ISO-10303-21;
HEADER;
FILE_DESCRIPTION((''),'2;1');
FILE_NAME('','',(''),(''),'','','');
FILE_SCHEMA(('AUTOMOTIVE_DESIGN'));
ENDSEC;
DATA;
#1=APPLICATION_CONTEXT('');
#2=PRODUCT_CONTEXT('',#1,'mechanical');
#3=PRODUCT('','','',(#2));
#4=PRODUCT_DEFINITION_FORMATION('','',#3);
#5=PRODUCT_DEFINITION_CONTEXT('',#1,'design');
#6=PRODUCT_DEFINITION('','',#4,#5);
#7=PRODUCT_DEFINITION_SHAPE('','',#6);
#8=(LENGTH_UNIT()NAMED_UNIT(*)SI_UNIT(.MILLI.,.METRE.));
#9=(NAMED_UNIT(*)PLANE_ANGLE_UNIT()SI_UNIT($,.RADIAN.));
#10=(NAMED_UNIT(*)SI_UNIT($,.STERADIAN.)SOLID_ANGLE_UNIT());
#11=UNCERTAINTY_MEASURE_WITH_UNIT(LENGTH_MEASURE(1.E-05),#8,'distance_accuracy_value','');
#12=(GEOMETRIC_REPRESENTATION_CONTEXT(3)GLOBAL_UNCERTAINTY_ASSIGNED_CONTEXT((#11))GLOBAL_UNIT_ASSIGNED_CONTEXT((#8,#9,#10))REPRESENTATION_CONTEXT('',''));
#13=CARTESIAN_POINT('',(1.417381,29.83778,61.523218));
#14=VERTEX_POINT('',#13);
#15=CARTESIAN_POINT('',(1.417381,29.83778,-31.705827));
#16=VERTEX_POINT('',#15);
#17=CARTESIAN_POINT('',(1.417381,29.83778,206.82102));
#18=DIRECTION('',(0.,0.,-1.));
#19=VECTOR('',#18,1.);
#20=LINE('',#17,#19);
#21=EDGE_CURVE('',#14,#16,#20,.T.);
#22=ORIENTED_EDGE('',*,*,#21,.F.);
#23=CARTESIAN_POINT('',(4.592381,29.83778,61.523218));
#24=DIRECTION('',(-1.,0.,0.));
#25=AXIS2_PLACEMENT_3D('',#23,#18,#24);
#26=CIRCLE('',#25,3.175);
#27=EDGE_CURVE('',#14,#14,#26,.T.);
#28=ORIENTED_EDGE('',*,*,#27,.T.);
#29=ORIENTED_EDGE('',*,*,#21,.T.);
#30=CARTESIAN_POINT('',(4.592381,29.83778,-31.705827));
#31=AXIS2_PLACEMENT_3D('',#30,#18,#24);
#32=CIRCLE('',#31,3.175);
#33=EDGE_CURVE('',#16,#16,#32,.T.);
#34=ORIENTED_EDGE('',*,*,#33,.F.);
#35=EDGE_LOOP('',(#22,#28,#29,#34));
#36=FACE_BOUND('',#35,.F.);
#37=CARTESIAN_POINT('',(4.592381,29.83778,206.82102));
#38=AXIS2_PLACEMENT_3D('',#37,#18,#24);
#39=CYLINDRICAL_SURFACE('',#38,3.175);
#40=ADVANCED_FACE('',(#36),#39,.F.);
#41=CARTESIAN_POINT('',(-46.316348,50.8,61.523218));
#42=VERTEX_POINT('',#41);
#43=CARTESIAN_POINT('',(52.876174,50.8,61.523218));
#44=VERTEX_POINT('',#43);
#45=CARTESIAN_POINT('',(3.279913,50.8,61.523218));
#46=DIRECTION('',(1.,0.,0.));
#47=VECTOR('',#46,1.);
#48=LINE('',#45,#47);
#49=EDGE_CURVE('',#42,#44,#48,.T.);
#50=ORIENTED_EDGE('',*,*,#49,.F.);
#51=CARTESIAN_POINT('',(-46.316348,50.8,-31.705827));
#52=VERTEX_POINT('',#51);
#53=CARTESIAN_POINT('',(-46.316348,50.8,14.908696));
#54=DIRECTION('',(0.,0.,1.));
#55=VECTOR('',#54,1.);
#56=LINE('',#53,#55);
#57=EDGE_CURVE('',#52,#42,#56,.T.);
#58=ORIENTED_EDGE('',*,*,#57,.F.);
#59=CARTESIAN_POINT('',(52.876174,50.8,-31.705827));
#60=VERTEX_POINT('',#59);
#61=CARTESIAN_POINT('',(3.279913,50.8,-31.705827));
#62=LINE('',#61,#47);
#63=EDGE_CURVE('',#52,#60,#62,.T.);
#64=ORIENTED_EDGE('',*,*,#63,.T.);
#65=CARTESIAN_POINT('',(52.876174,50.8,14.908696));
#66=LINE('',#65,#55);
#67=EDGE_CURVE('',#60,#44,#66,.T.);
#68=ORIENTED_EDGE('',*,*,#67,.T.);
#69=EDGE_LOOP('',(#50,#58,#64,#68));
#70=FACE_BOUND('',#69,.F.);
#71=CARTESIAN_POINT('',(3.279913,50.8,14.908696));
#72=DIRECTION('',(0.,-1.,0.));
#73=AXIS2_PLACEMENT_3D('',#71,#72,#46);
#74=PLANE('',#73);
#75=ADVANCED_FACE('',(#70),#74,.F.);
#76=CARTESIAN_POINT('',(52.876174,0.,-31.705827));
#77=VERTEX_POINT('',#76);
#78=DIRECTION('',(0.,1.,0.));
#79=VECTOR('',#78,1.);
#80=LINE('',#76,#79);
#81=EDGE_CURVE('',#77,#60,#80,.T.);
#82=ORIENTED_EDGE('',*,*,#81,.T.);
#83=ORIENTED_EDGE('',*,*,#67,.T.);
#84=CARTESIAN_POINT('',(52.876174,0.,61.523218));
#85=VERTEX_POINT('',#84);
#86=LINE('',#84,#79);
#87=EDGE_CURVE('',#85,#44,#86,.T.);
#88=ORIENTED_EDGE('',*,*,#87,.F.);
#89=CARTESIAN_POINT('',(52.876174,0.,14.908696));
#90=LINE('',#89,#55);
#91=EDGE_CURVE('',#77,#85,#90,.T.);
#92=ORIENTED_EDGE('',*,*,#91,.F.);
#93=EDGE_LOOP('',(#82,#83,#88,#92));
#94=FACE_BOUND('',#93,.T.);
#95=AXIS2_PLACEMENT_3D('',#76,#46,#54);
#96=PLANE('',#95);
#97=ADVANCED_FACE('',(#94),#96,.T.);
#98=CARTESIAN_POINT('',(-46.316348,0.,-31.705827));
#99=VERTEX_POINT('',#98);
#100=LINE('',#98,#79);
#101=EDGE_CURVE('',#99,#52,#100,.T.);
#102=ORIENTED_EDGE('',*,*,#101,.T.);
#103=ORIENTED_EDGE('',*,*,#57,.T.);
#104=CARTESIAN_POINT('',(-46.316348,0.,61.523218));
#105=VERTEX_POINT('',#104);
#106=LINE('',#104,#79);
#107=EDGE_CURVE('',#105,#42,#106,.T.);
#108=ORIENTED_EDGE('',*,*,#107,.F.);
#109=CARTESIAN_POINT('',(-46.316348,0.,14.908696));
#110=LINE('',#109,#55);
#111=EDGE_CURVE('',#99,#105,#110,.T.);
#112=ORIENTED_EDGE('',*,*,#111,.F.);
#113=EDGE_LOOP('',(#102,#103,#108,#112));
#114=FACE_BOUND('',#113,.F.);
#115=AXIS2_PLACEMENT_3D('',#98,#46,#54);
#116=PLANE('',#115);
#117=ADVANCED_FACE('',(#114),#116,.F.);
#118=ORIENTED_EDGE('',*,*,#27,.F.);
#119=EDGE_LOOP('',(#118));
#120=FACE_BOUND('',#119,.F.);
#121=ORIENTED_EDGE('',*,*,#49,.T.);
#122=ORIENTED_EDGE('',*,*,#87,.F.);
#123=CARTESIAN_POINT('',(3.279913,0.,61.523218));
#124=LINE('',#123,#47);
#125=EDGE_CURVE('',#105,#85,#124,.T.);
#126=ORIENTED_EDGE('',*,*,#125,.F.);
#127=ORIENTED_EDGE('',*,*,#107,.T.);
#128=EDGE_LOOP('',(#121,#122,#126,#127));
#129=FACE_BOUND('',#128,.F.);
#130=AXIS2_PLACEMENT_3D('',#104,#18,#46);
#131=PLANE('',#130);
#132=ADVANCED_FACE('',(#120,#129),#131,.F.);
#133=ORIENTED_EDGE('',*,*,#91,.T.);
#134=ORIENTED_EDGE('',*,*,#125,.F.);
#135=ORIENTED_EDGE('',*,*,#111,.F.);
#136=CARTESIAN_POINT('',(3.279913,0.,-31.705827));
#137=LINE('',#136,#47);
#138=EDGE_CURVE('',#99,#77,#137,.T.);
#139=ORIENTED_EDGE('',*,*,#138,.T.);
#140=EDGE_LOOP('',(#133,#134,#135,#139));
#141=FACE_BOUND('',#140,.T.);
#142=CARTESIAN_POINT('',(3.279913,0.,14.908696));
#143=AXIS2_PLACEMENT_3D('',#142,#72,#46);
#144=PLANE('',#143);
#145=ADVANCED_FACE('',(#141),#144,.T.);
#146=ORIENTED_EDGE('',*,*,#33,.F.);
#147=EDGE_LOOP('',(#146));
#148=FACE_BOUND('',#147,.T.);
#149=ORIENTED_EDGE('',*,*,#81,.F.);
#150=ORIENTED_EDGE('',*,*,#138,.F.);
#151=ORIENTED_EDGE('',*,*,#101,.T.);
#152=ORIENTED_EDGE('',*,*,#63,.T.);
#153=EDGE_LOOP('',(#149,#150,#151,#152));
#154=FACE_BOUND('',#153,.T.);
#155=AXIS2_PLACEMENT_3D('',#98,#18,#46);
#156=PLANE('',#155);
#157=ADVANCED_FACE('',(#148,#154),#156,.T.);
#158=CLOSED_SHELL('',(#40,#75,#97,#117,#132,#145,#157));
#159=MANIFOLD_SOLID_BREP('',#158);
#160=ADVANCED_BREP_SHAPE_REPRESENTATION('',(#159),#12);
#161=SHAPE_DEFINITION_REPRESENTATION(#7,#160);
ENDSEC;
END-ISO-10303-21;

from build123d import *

# Parameters (mm, degrees)
F0_W     = 99.192522
F0_H     = 93.229045
F1_DEPTH = 50.8
F3_D     = 6.35


with BuildPart() as f1:
    # F0 (on Front) → F1 (new body)
    with BuildSketch(Plane.XZ):
        with Locations((3.279913, 14.908696)):
            Rectangle(F0_W, F0_H)
    extrude(amount=-F1_DEPTH)

    # F3 (through all)
    with Locations(Plane.XY.offset(61.523218)):
        with Locations((4.592381, 29.83778)):
            Hole(F3_D / 2)


solid = f1.part
